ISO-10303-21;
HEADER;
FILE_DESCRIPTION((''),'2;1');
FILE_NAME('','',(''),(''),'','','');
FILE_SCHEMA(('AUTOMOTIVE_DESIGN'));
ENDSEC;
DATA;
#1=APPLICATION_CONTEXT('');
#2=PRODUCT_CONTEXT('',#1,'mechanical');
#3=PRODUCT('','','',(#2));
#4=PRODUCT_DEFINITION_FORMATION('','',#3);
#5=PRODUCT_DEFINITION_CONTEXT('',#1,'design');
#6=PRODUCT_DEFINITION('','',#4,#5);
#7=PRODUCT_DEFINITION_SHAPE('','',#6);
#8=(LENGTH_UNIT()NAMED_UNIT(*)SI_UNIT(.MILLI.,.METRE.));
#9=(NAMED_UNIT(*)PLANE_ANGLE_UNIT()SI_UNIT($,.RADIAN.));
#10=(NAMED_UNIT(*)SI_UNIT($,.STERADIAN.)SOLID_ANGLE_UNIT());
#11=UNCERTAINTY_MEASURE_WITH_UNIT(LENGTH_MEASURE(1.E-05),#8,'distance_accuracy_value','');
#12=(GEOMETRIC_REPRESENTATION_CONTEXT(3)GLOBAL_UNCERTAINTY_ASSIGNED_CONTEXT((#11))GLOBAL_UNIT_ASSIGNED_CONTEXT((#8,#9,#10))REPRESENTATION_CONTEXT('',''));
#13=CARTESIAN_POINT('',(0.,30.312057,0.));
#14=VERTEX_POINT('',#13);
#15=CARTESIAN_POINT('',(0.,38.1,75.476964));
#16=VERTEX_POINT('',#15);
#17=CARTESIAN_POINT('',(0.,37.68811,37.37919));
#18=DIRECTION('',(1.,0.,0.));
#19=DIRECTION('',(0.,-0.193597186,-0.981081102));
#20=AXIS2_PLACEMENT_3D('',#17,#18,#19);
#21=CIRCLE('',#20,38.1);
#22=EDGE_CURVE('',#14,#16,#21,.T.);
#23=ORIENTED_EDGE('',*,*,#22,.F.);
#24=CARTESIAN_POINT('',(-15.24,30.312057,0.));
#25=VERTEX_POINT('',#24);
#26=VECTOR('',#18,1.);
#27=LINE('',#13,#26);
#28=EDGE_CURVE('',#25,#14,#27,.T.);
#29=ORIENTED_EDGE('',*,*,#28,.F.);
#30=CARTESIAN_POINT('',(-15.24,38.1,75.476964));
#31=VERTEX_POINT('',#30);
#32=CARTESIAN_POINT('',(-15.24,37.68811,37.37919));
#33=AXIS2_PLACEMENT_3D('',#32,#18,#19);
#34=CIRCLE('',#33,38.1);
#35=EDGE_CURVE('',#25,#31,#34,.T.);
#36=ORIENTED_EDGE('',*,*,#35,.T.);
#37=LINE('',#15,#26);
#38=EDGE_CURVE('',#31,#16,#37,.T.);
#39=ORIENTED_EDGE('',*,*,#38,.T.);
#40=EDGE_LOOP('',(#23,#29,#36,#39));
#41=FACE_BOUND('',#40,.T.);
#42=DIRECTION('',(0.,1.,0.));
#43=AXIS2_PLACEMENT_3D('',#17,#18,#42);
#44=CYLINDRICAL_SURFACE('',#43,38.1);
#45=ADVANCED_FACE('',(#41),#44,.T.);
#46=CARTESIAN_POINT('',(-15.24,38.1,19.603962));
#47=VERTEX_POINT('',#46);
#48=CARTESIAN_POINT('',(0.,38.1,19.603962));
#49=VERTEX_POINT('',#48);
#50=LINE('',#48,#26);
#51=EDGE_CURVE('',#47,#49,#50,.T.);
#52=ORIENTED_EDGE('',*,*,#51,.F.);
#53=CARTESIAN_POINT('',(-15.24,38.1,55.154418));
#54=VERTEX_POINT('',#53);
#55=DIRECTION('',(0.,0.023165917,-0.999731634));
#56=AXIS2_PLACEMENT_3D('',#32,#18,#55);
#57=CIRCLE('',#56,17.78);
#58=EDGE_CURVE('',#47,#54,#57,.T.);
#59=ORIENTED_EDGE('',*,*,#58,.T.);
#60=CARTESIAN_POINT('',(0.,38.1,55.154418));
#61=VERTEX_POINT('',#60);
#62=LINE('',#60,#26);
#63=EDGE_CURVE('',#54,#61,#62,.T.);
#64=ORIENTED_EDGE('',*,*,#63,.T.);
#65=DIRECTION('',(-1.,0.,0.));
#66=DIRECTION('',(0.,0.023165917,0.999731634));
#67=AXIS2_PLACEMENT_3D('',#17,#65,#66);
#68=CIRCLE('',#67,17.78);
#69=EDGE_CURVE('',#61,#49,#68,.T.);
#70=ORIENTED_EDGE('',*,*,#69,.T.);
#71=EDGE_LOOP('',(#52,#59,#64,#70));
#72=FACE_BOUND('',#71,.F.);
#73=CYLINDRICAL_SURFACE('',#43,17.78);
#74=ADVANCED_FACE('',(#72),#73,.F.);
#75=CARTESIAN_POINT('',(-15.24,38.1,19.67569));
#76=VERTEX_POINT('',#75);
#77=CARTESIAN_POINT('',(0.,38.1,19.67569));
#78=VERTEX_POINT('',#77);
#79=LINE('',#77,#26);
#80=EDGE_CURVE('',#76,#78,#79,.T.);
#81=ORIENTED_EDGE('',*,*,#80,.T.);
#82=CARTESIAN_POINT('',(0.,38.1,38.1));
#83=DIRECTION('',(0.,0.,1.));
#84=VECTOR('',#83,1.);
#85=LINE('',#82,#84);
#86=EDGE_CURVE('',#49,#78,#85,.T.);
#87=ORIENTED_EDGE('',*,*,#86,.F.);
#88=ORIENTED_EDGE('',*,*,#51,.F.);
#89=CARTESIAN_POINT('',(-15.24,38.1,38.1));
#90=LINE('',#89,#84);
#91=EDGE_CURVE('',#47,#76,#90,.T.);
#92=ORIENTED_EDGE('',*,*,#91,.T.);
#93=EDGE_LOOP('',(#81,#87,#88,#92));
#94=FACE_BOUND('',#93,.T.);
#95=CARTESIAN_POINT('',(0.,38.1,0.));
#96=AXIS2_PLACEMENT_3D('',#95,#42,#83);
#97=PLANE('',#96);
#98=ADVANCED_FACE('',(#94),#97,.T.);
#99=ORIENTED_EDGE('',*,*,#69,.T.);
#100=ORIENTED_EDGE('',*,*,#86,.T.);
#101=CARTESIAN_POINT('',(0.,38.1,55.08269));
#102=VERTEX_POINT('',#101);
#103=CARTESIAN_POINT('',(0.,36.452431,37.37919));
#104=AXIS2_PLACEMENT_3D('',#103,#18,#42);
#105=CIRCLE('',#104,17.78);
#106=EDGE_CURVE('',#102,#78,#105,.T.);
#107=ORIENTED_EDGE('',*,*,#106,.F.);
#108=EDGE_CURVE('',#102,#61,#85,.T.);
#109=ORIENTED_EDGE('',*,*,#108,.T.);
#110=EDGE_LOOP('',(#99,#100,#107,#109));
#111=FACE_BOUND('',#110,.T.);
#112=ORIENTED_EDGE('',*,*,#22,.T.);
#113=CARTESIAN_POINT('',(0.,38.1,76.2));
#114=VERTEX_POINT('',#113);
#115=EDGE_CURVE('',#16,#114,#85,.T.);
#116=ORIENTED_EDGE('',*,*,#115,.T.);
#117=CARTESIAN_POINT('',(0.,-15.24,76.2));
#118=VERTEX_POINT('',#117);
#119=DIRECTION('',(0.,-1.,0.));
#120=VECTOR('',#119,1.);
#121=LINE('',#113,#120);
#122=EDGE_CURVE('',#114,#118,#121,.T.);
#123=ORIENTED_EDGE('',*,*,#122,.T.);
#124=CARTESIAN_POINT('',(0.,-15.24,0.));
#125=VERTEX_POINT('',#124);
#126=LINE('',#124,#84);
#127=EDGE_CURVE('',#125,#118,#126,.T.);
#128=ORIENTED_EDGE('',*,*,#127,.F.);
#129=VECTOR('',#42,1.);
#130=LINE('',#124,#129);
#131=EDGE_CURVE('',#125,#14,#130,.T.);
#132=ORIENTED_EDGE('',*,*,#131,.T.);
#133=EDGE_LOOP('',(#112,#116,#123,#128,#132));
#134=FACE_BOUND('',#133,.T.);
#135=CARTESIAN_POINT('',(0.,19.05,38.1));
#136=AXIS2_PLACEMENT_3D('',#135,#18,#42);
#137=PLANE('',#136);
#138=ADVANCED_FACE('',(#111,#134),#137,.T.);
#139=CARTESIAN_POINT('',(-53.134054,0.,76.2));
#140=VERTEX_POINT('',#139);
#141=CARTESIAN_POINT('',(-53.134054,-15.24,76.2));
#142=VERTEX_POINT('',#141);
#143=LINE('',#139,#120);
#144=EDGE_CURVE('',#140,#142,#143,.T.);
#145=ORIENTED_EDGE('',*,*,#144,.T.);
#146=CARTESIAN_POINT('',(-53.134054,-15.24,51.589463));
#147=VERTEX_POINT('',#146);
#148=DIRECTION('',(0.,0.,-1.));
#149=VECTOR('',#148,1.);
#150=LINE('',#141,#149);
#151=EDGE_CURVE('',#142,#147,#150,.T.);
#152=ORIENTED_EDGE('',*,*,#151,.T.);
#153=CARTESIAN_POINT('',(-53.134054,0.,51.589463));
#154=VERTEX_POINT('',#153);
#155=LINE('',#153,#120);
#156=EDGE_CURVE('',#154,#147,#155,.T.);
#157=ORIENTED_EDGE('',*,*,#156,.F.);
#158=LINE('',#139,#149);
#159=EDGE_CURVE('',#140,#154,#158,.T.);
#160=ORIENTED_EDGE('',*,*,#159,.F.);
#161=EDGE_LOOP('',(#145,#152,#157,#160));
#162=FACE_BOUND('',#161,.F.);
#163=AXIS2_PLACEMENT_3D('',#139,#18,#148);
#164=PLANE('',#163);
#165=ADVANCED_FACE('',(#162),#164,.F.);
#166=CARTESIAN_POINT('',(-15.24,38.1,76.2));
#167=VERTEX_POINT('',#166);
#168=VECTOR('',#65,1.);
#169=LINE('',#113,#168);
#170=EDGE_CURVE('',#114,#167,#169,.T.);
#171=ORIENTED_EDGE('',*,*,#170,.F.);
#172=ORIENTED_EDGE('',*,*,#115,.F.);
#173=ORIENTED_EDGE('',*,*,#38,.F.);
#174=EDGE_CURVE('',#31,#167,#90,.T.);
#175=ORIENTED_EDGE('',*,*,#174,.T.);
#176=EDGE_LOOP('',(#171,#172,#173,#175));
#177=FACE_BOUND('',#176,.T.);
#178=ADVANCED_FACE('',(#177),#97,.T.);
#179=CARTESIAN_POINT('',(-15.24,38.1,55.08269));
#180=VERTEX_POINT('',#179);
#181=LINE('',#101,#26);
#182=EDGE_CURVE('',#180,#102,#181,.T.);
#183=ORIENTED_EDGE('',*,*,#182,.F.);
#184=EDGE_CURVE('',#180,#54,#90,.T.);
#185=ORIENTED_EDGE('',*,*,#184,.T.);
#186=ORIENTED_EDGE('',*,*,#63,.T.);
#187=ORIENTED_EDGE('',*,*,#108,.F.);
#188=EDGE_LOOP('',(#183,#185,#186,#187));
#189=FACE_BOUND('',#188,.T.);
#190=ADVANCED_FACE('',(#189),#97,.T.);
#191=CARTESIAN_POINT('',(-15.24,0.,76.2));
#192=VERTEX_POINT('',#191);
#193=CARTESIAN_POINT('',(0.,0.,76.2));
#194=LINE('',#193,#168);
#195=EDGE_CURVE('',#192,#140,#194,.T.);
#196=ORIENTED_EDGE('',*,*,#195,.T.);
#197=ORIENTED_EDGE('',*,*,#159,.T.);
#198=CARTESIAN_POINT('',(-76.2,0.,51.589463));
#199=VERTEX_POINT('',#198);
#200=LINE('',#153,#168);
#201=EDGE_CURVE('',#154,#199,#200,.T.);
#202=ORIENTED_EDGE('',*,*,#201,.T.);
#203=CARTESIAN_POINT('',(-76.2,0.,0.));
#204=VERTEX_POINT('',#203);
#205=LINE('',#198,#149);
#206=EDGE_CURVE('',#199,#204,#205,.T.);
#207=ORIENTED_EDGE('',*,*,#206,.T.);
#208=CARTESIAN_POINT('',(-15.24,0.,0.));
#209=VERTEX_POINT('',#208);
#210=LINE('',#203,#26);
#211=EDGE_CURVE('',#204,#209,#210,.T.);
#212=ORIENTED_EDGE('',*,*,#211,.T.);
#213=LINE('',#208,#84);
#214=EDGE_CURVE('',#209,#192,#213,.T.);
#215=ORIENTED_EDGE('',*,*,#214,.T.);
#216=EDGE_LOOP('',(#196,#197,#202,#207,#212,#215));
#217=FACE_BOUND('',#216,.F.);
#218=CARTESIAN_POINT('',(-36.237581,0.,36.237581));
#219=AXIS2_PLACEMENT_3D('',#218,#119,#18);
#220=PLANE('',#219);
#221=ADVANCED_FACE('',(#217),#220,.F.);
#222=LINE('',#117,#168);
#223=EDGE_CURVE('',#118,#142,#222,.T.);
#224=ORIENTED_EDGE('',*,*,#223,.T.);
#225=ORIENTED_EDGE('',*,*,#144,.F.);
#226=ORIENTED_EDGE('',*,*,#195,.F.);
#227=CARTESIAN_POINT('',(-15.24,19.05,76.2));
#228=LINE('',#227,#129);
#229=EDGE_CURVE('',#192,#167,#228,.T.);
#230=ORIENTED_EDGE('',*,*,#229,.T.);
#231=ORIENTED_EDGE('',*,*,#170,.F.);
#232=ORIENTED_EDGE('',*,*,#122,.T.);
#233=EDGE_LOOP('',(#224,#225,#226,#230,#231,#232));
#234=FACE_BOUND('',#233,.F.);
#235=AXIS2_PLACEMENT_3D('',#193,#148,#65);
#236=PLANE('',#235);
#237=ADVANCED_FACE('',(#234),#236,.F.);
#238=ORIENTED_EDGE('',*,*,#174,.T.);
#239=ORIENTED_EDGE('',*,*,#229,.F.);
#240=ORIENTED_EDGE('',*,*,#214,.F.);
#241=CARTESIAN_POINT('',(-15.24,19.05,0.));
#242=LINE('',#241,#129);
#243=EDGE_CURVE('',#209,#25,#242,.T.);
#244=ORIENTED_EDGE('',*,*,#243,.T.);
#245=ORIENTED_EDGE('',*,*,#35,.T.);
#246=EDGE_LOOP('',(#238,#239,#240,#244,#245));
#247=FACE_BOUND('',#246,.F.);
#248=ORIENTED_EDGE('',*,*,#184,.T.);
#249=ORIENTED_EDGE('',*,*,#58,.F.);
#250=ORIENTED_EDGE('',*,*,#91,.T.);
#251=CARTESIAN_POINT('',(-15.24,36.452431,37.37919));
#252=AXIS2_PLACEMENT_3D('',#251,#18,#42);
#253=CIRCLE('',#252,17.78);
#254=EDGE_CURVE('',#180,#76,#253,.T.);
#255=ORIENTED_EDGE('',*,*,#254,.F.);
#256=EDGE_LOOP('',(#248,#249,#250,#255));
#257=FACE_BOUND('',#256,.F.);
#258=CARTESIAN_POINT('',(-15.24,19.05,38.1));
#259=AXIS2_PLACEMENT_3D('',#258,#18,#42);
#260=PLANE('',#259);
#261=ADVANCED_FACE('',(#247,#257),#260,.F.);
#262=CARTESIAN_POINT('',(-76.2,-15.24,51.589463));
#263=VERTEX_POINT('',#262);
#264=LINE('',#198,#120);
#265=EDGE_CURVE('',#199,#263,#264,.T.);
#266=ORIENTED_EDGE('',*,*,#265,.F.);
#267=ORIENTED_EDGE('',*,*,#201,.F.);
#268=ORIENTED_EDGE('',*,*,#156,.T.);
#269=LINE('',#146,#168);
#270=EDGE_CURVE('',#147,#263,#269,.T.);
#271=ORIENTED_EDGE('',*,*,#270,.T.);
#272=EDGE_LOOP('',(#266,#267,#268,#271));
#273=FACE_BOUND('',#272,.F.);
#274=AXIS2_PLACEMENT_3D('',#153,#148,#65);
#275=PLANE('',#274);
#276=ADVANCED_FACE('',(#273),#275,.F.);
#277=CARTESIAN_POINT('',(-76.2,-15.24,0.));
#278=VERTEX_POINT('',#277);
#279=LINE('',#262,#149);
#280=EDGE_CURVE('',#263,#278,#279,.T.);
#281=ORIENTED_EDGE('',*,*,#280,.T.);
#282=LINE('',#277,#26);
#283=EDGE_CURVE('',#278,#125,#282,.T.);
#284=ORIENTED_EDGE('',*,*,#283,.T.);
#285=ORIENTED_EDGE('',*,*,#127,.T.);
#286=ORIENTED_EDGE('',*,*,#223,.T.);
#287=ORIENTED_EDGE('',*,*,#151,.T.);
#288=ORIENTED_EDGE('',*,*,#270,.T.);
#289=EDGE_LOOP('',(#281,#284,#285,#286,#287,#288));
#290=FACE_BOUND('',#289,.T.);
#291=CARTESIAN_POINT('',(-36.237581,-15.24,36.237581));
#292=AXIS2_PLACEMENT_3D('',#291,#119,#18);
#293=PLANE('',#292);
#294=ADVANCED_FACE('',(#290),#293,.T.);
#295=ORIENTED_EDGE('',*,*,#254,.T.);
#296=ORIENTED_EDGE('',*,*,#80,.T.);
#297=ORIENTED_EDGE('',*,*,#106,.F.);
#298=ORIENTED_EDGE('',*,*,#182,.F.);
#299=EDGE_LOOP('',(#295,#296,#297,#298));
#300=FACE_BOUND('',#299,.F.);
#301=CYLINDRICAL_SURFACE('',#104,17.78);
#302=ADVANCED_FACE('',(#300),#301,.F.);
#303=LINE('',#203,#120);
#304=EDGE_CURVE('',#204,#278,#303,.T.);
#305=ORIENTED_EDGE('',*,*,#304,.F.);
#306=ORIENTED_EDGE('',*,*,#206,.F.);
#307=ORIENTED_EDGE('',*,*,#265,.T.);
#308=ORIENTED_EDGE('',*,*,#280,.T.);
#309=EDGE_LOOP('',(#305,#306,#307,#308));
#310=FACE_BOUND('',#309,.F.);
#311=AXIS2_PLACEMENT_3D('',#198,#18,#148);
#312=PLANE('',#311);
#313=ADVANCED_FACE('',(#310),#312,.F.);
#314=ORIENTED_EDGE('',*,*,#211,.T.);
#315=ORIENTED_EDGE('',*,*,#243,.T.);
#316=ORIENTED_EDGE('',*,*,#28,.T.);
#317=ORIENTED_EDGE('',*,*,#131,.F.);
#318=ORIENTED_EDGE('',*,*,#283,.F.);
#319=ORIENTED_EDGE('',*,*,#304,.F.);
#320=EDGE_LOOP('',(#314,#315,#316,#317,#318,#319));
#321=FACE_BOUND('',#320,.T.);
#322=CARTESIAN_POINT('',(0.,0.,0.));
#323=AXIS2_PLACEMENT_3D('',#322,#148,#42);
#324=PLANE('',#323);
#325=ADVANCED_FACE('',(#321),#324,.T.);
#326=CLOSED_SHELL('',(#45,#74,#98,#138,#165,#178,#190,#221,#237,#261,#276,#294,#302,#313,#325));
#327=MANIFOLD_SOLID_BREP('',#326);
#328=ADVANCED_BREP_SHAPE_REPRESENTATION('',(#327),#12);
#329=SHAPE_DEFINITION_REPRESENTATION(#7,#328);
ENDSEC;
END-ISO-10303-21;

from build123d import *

# Parameters (mm, degrees)
F1_DEPTH = 15.24
F2_R     = 38.1
F3_DEPTH = 15.24
F4_R     = 17.78
F5_DEPTH = 15.24
F6_W     = 38.1
F6_H     = 76.2
F7_DEPTH = 15.24
F8_R     = 17.78
F9_DEPTH = 15.24


with BuildPart() as f1:
    # F0 (on Front) → F1 (new body)
    with BuildSketch(Plane.XZ):
        Polygon((0, 76.2), (-53.134054, 76.2), (-53.134054, 51.589463), (-76.2, 51.589463), (-76.2, 0), (0, 0), align=None)
    extrude(amount=F1_DEPTH)

    # F2 (on Right) → F3 (join)
    with BuildSketch(Plane.YZ):
        with Locations((37.68811, 37.37919)):
            Circle(F2_R)
    extrude(amount=-F3_DEPTH)

    # F4 (on face) → F5 (cut)
    with BuildSketch(Plane.YZ):
        with Locations((37.68811, 37.37919)):
            Circle(F4_R)
    extrude(amount=-F5_DEPTH, mode=Mode.SUBTRACT)

    # F6 (on Right) → F7 (join)
    with BuildSketch(Plane.YZ):
        with Locations((19.05, 38.1)):
            Rectangle(F6_W, F6_H)
    extrude(amount=-F7_DEPTH)

    # F8 (on face) → F9 (cut)
    with BuildSketch(Plane.YZ):
        with Locations((36.452431, 37.37919)):
            Circle(F8_R)
    extrude(amount=-F9_DEPTH, mode=Mode.SUBTRACT)


solid = f1.part
